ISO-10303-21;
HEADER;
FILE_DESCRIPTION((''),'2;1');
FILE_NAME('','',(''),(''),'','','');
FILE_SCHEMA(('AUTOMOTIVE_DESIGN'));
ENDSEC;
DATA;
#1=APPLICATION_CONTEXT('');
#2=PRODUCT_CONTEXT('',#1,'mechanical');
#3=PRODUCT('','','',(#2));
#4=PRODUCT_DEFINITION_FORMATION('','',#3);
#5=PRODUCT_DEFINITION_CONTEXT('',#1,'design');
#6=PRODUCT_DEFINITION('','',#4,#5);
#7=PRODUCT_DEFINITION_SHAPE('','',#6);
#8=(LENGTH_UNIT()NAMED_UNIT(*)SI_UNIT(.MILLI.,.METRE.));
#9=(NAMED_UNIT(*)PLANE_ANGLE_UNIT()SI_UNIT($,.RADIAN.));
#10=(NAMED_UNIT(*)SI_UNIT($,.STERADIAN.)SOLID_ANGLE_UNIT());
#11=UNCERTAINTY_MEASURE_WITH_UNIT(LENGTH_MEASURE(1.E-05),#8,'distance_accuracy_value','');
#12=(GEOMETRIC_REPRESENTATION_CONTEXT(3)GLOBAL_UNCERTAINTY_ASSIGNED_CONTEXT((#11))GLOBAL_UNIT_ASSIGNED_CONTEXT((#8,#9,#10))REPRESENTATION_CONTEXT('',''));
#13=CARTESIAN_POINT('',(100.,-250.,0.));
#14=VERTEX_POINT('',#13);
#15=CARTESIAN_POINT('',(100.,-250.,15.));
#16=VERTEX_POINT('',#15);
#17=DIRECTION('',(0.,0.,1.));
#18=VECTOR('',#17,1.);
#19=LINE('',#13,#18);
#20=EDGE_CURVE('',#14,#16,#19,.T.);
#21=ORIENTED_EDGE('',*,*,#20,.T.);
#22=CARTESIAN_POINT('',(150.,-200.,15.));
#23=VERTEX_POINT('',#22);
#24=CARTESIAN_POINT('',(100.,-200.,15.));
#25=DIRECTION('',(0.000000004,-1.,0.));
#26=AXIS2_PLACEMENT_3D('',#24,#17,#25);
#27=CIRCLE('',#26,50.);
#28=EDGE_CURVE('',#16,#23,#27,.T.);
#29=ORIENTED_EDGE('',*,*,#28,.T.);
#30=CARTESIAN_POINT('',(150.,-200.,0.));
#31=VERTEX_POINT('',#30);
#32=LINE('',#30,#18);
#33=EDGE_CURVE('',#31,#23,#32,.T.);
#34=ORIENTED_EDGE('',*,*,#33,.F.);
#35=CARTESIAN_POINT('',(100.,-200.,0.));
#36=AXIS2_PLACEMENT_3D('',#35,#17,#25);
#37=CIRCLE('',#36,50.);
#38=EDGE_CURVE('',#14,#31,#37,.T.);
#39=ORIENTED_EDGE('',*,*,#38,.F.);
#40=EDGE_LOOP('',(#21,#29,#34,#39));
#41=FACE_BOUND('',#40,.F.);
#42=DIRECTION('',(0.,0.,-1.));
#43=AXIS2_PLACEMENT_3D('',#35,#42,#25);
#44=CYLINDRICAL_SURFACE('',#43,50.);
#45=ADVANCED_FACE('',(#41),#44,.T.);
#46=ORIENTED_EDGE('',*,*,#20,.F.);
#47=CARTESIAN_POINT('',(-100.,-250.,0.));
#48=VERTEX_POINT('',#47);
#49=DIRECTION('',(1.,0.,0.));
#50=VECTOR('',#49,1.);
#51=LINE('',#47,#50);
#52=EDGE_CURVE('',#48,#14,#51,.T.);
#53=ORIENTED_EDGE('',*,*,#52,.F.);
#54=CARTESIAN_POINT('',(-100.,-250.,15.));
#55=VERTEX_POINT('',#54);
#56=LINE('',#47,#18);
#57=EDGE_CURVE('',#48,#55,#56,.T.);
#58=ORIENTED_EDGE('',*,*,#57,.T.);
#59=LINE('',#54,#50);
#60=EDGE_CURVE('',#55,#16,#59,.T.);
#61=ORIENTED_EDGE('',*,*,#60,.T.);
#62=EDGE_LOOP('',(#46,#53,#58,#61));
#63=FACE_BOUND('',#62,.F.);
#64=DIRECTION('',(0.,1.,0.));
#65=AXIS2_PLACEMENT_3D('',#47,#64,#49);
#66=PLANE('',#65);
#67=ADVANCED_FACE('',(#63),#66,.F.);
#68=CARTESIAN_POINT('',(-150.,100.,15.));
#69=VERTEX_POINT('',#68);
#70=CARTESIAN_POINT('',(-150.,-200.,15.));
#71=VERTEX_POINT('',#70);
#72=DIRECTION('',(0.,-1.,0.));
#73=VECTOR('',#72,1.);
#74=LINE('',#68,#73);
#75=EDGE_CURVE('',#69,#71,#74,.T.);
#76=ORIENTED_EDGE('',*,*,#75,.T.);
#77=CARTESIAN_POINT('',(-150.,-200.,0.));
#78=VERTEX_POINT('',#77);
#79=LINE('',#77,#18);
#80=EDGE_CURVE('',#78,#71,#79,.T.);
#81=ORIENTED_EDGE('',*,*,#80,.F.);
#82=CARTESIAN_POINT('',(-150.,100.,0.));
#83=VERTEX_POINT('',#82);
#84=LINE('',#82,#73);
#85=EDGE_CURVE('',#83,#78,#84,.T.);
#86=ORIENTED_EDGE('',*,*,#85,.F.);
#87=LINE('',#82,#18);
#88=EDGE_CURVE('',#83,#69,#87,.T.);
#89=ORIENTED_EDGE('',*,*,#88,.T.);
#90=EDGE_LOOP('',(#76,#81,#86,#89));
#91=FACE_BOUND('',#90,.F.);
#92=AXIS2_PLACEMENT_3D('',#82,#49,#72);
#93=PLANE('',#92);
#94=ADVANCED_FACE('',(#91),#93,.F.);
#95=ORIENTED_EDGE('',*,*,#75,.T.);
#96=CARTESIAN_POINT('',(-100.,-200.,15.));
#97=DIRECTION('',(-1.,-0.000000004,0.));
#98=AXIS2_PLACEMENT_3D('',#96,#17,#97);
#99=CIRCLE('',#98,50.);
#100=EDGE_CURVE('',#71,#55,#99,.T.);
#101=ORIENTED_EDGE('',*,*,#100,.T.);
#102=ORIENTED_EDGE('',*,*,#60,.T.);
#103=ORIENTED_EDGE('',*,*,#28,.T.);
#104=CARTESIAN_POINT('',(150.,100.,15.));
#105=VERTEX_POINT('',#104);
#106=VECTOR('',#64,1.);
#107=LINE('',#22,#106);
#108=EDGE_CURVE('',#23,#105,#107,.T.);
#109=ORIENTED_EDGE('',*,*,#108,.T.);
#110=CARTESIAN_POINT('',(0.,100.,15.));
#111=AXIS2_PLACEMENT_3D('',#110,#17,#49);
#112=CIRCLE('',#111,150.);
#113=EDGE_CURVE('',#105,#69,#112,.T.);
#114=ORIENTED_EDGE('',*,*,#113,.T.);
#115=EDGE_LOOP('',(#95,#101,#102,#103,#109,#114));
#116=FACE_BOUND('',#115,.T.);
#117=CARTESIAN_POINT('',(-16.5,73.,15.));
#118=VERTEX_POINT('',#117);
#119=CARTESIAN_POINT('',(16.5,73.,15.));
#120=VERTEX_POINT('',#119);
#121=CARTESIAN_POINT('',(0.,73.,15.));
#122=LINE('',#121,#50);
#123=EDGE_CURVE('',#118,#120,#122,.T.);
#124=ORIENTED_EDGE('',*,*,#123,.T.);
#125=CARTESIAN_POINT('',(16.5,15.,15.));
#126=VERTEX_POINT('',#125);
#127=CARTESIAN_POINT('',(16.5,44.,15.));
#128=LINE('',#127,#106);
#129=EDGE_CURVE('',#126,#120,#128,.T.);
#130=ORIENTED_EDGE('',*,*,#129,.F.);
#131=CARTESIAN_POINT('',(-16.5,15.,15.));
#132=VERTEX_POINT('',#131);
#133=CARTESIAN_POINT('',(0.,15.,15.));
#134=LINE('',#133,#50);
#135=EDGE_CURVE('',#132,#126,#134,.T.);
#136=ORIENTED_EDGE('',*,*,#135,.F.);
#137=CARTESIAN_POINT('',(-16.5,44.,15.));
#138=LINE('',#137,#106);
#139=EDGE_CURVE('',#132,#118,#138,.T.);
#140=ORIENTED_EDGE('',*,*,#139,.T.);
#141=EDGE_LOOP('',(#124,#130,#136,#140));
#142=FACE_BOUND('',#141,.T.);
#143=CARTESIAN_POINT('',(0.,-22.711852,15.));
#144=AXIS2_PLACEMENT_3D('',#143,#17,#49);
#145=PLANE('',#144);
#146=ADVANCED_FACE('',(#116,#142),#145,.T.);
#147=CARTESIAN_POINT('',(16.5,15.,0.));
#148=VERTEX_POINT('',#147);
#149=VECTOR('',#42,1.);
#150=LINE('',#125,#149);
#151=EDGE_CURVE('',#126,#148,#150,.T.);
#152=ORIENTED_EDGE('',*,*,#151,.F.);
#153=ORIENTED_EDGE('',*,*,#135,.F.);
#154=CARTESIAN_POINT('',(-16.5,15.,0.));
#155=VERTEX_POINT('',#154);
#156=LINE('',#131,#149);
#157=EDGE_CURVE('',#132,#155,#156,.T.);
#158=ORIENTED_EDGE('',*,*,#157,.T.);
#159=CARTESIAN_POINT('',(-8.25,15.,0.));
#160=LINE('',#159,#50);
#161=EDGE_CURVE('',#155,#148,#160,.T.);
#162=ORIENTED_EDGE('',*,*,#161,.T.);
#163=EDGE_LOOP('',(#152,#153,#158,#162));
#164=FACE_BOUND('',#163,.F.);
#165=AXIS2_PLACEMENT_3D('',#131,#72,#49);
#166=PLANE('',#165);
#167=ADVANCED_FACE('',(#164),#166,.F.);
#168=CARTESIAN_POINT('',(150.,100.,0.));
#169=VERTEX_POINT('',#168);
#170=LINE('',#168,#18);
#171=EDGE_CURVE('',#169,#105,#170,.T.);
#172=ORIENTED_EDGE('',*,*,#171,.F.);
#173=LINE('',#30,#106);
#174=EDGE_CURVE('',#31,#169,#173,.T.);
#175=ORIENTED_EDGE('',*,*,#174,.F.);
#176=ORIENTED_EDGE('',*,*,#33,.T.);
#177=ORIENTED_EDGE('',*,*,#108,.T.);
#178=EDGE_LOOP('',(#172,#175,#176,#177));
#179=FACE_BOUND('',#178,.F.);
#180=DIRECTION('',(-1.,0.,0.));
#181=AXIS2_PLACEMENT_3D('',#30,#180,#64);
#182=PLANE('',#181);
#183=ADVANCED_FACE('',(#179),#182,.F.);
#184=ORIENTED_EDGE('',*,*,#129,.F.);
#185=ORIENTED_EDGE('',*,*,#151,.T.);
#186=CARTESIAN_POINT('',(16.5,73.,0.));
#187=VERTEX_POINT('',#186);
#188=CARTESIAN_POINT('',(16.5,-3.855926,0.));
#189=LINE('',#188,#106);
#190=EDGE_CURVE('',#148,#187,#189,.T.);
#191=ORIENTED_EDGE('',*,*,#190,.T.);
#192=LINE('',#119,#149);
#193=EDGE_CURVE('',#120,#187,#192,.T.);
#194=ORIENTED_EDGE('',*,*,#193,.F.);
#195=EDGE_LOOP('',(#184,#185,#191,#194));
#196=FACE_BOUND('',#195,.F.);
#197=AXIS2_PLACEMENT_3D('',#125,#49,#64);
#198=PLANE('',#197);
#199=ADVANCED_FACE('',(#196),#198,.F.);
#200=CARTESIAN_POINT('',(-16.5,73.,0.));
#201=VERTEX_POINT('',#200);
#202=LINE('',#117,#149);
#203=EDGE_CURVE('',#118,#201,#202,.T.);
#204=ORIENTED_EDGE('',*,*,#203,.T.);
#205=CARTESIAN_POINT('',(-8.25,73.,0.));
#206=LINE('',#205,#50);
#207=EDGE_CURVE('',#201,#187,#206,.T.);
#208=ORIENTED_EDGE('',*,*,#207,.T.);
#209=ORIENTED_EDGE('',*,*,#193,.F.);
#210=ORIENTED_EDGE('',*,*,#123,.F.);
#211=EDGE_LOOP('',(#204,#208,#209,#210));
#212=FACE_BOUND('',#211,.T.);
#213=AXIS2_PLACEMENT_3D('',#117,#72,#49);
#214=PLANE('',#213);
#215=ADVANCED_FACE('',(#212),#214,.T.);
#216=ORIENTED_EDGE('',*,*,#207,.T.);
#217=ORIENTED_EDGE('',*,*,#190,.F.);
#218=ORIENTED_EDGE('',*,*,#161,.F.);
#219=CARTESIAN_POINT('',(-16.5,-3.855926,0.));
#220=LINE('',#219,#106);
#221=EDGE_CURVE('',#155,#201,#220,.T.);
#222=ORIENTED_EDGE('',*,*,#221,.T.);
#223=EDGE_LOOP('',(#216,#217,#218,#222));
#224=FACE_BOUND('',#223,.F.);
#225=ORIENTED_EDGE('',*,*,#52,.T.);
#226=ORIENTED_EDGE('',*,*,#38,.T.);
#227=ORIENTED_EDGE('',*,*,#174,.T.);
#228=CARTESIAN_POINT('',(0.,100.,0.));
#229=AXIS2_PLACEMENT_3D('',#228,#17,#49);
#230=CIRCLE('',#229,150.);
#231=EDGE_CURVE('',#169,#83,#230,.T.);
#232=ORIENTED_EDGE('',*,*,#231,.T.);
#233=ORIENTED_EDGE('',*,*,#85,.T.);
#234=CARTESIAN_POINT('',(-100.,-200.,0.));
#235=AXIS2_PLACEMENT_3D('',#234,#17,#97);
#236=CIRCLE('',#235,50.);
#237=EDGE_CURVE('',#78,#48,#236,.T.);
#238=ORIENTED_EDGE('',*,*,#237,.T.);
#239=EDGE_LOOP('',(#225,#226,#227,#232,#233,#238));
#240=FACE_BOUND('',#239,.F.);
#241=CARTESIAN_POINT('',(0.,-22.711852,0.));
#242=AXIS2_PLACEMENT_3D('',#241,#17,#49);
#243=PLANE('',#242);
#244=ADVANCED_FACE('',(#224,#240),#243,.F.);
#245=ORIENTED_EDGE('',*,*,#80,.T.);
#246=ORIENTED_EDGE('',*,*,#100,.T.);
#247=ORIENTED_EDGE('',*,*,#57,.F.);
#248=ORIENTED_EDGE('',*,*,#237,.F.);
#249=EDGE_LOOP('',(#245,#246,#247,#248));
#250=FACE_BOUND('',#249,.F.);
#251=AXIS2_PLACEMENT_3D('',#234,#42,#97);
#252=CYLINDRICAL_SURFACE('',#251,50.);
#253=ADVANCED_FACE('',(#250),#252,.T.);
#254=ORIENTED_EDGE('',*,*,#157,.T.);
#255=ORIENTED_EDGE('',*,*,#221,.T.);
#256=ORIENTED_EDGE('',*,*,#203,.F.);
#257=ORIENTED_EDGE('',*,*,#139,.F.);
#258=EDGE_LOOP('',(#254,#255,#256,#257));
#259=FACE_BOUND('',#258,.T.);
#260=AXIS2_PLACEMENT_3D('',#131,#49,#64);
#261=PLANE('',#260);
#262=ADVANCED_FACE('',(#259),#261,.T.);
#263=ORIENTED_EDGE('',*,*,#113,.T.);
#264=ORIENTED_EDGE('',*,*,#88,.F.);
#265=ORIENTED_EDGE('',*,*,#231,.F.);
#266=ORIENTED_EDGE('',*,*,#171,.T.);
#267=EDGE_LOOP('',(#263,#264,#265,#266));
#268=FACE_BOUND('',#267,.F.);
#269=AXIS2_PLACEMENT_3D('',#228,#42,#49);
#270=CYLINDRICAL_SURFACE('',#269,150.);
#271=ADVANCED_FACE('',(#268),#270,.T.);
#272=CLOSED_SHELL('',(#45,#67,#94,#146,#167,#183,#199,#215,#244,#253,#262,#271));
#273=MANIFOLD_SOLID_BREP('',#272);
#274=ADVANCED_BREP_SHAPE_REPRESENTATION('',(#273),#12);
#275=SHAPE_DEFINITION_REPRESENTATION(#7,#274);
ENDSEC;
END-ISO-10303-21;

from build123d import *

# Parameters (mm, degrees)
F1_DEPTH = 15
F2_W     = 33
F2_H     = 58
F3_DEPTH = 15.001


with BuildPart() as f1:
    # F0 (on Top) → F1 (new body)
    with BuildSketch(Plane.XY):
        with BuildLine():
            Line((-100, -250), (100, -250))
            ThreePointArc((100, -250), (135.355339, -235.355339), (150, -200))
            Line((150, -200), (150, 100))
            ThreePointArc((150, 100), (0, 250), (-150, 100))
            Line((-150, 100), (-150, -200))
            ThreePointArc((-150, -200), (-135.355339, -235.355339), (-100, -250))
        make_face()
    extrude(amount=F1_DEPTH)

    # F2 (on face) → F3 (cut, through all)
    with BuildSketch(Plane.XY.offset(15)):
        with Locations((0, 44)):
            Rectangle(F2_W, F2_H)
    extrude(amount=-F3_DEPTH, mode=Mode.SUBTRACT)


solid = f1.part
